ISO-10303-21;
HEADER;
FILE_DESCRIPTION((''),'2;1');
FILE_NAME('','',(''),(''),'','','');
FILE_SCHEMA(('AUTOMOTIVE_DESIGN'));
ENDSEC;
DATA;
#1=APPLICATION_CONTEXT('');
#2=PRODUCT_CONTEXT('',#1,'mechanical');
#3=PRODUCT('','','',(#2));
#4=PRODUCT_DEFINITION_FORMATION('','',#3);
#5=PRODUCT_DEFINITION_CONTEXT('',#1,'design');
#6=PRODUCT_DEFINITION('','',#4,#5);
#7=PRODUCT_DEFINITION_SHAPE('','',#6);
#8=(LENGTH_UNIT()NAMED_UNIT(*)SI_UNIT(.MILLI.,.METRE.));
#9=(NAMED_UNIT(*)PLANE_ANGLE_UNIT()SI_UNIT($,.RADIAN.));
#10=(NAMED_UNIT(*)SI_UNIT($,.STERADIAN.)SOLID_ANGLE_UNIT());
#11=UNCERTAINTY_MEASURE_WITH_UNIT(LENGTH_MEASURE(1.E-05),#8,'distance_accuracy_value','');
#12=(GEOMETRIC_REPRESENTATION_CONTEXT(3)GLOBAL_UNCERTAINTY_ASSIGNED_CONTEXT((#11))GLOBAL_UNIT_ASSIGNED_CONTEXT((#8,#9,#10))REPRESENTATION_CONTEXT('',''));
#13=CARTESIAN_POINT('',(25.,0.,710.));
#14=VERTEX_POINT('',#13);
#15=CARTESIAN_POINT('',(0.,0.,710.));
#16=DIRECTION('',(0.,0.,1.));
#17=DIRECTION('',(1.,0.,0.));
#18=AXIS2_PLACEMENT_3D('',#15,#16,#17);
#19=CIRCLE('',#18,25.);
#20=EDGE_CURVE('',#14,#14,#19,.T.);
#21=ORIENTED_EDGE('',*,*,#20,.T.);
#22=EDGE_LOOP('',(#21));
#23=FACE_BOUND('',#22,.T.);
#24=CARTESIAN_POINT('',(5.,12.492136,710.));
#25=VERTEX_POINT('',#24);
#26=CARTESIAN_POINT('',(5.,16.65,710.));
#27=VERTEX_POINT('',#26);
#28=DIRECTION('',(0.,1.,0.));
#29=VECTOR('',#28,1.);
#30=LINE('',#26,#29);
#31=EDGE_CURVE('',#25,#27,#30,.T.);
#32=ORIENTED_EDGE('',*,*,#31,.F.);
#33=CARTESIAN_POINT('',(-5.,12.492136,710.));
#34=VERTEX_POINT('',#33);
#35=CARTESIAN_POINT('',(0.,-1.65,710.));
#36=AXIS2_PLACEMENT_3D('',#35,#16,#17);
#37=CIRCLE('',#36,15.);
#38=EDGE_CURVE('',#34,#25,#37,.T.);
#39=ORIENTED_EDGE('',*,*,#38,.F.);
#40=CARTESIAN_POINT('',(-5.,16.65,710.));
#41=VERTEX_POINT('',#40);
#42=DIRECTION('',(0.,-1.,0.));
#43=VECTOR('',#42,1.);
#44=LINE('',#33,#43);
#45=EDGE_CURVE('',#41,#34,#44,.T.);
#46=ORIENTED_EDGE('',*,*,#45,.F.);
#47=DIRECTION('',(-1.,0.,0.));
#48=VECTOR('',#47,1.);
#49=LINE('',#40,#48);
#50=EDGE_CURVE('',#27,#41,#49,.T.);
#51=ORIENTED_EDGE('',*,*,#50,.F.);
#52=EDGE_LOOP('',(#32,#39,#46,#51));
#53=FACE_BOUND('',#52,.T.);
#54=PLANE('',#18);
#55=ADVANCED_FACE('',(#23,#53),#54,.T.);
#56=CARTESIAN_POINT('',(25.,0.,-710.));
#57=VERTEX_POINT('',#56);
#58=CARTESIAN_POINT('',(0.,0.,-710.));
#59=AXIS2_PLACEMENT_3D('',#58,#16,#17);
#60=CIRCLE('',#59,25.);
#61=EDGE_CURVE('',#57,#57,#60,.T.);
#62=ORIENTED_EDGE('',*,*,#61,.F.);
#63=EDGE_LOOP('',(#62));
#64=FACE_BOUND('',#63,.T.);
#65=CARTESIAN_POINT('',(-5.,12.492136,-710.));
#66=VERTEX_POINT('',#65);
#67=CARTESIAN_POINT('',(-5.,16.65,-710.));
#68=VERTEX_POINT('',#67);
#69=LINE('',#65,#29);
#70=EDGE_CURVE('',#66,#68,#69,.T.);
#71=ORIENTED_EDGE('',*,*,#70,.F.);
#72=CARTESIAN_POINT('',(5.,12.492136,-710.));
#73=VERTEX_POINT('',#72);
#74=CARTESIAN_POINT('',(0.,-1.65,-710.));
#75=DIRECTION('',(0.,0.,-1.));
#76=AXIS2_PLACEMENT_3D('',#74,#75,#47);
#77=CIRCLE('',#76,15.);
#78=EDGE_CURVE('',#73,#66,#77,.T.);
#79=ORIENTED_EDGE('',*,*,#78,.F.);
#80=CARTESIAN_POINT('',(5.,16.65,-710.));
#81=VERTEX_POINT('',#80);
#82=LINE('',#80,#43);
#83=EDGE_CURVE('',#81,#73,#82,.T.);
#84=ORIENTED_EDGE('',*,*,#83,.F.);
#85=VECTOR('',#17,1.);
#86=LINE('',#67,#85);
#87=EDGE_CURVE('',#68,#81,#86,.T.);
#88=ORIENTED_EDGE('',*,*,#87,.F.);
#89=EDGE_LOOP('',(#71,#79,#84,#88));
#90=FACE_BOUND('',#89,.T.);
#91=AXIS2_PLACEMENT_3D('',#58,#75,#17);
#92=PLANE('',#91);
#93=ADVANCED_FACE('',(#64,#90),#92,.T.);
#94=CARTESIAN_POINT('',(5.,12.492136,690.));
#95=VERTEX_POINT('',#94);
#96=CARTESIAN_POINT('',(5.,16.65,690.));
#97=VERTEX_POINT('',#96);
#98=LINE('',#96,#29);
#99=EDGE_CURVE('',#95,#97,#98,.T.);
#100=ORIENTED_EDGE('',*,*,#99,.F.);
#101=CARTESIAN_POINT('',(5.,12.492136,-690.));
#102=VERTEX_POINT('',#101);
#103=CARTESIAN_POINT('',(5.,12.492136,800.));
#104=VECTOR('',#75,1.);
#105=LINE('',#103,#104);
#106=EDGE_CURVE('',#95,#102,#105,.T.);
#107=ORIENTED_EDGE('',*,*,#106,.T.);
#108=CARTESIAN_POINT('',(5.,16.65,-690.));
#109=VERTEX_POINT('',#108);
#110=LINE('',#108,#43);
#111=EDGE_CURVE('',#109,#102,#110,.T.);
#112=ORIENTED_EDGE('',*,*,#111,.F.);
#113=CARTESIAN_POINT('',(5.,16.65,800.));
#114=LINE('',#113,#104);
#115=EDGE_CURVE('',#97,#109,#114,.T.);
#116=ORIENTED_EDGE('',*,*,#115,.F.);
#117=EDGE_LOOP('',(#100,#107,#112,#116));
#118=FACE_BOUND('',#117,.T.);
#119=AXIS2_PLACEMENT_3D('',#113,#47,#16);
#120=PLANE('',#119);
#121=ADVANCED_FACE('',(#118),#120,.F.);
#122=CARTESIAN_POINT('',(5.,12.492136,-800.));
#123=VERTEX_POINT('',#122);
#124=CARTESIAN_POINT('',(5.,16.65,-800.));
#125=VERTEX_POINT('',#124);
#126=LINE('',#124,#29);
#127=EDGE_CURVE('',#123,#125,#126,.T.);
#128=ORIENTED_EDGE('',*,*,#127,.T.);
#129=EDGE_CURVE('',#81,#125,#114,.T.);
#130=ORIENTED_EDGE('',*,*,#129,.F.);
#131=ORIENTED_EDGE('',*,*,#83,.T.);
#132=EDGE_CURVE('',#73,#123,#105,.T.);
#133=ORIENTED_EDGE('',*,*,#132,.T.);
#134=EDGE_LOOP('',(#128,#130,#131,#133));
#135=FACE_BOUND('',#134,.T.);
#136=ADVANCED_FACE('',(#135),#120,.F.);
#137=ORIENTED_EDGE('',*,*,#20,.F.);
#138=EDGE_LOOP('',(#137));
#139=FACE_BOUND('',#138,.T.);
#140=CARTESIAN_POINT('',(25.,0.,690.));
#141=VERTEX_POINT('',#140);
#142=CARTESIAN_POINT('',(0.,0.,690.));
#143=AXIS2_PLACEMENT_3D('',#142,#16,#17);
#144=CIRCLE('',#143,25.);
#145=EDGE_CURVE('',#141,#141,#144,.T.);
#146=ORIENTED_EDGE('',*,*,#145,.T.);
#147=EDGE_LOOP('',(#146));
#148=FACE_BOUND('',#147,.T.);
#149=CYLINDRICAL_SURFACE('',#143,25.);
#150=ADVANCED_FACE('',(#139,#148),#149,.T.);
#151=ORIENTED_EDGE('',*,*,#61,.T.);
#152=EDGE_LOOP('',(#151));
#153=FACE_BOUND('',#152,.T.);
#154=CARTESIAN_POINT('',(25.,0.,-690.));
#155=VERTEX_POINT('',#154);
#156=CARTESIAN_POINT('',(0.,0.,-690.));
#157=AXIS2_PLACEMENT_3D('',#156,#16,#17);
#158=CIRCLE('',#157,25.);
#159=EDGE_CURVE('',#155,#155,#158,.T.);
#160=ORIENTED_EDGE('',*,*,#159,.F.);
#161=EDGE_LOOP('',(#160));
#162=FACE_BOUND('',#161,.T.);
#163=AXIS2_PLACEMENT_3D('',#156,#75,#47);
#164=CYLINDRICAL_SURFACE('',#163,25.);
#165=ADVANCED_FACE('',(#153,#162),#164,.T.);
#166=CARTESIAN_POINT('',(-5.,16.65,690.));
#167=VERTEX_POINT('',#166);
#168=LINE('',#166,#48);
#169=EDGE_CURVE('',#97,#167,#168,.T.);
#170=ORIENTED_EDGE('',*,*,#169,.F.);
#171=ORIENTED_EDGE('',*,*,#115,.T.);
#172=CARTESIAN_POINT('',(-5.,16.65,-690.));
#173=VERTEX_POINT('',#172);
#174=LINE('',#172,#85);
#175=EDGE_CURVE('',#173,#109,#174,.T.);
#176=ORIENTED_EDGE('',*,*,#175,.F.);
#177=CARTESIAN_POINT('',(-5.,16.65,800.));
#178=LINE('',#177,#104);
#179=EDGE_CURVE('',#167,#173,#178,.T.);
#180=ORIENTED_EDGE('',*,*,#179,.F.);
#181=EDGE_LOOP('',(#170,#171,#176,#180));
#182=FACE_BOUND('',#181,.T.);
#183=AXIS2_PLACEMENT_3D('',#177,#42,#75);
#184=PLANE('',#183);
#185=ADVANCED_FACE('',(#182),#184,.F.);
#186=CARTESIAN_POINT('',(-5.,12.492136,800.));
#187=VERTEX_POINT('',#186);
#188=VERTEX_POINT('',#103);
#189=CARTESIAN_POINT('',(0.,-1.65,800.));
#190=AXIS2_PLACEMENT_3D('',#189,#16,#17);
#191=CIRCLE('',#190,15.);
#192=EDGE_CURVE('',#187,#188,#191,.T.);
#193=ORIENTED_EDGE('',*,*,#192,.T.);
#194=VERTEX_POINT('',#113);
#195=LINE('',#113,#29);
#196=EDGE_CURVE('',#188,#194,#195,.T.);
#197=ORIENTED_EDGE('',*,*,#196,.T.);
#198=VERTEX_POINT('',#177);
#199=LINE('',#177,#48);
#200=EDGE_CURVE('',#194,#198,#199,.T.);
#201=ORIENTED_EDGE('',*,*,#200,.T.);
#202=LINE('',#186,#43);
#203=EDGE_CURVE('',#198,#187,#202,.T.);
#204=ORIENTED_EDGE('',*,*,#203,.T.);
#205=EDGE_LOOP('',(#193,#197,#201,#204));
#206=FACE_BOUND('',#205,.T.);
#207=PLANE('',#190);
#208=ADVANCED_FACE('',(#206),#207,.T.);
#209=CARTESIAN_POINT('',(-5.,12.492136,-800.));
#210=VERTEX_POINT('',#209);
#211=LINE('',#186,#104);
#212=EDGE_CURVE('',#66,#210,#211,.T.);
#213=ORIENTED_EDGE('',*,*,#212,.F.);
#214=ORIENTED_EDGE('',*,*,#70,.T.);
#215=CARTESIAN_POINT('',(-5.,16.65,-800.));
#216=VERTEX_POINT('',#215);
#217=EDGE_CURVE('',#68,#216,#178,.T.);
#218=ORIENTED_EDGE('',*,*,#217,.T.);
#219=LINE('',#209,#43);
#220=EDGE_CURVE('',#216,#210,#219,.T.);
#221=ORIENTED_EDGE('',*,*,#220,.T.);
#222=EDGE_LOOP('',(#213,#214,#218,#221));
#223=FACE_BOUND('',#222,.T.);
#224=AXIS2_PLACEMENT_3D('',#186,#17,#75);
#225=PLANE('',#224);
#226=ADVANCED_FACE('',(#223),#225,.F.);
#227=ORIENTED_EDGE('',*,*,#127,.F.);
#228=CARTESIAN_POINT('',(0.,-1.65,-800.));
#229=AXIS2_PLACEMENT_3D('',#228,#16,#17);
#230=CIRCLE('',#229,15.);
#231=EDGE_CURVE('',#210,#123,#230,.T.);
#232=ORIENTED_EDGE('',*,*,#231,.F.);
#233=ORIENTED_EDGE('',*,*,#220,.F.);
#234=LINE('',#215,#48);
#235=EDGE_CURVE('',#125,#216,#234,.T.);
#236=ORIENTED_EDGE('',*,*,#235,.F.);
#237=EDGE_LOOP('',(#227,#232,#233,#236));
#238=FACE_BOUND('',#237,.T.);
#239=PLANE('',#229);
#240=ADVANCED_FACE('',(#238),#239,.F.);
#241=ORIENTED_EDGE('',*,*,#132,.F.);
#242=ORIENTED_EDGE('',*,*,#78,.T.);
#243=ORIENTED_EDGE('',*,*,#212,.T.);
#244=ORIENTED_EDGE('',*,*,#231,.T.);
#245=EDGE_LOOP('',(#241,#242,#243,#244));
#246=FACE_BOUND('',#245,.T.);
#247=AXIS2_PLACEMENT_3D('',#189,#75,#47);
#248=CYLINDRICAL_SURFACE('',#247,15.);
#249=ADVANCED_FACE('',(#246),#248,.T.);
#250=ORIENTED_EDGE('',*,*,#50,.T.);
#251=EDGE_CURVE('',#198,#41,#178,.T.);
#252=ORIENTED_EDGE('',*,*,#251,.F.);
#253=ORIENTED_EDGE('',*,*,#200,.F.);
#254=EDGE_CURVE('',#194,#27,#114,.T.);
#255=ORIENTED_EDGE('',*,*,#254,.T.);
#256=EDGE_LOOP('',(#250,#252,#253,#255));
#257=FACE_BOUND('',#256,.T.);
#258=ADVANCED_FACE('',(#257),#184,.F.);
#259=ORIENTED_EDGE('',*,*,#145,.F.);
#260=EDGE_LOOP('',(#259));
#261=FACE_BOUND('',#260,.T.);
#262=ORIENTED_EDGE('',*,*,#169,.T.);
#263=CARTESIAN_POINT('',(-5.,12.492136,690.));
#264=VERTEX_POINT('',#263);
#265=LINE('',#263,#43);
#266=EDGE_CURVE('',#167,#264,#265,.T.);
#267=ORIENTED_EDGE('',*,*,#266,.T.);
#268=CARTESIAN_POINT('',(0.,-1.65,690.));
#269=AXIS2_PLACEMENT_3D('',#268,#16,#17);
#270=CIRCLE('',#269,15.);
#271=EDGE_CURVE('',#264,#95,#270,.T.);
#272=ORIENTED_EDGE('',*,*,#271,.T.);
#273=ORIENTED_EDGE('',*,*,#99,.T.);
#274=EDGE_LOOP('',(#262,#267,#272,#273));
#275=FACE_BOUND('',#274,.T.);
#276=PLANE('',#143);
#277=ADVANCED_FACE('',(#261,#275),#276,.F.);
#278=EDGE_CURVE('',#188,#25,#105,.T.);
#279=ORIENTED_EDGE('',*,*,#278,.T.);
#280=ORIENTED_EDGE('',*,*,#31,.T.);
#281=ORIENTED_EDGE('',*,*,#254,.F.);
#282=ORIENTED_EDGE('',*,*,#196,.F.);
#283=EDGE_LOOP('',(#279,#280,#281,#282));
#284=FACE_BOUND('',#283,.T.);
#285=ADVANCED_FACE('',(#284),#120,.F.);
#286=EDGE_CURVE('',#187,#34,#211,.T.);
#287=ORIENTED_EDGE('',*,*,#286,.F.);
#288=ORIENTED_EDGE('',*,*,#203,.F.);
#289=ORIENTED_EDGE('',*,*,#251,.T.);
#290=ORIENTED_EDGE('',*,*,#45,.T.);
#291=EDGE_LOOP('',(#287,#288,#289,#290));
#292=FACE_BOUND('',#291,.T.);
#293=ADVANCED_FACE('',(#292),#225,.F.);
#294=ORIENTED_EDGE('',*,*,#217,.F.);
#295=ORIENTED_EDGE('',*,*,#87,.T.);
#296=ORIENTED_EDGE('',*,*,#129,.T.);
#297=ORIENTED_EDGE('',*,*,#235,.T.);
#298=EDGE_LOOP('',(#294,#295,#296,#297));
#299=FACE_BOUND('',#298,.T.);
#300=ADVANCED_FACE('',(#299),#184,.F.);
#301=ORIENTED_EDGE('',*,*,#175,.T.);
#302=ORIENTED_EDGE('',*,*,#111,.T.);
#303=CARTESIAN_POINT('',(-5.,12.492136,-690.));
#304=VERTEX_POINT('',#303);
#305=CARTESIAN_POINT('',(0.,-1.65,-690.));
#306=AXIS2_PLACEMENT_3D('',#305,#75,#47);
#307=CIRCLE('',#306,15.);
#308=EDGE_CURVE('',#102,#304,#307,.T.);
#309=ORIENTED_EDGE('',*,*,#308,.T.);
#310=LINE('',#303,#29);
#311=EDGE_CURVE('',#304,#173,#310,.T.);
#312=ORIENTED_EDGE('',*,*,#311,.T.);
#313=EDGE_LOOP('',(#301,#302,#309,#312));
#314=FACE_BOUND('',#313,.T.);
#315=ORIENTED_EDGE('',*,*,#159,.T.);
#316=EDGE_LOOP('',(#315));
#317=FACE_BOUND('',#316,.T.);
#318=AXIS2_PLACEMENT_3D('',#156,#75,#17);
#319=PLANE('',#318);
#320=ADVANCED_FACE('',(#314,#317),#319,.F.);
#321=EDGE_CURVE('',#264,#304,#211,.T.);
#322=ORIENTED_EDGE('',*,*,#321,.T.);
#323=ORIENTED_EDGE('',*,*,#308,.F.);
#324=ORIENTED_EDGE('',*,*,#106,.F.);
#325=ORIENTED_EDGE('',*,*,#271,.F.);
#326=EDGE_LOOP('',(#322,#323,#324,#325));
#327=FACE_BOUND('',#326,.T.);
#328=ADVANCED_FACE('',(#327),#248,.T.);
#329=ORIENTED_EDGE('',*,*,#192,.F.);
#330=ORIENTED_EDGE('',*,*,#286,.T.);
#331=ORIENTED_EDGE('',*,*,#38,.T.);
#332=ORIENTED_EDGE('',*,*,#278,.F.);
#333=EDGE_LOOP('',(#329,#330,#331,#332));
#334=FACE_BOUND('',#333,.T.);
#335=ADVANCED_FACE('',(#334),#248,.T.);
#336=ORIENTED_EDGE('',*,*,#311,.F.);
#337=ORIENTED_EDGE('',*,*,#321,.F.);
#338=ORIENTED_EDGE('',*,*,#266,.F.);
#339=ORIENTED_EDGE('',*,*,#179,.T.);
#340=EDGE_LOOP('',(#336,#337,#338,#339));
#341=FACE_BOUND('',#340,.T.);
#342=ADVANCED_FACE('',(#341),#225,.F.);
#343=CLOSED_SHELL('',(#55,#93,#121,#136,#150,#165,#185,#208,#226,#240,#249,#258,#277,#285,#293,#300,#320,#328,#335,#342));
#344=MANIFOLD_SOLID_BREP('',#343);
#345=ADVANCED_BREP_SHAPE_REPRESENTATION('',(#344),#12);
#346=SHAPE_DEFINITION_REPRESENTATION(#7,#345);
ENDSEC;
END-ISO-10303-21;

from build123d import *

# Parameters (mm, degrees)
BOSS_EXTRUDE1_DEPTH = 800
SKETCH2_R           = 25
BOSS_EXTRUDE2_DEPTH = 20


with BuildPart() as part:
    # Sketch1 → Boss-Extrude1 (new, symmetric)
    with BuildSketch(Plane.XY):
        with BuildLine():
            Line((-5, 12.492135624), (-5, 16.65))
            Line((-5, 16.65), (5, 16.65))
            Line((5, 16.65), (5, 12.492135624))
            ThreePointArc((5, 12.492135624), (0, -16.65), (-5, 12.492135624))
        make_face()
    extrude(amount=BOSS_EXTRUDE1_DEPTH, both=True)

    # Sketch2 → Boss-Extrude2 (add)
    with BuildSketch(Plane.XY.offset(710)):
        Circle(SKETCH2_R)
    boss_extrude2 = extrude(amount=-BOSS_EXTRUDE2_DEPTH)

    # Mirror1: Boss-Extrude2 across plane
    add(boss_extrude2.mirror(Plane.XY))


solid = part.part
